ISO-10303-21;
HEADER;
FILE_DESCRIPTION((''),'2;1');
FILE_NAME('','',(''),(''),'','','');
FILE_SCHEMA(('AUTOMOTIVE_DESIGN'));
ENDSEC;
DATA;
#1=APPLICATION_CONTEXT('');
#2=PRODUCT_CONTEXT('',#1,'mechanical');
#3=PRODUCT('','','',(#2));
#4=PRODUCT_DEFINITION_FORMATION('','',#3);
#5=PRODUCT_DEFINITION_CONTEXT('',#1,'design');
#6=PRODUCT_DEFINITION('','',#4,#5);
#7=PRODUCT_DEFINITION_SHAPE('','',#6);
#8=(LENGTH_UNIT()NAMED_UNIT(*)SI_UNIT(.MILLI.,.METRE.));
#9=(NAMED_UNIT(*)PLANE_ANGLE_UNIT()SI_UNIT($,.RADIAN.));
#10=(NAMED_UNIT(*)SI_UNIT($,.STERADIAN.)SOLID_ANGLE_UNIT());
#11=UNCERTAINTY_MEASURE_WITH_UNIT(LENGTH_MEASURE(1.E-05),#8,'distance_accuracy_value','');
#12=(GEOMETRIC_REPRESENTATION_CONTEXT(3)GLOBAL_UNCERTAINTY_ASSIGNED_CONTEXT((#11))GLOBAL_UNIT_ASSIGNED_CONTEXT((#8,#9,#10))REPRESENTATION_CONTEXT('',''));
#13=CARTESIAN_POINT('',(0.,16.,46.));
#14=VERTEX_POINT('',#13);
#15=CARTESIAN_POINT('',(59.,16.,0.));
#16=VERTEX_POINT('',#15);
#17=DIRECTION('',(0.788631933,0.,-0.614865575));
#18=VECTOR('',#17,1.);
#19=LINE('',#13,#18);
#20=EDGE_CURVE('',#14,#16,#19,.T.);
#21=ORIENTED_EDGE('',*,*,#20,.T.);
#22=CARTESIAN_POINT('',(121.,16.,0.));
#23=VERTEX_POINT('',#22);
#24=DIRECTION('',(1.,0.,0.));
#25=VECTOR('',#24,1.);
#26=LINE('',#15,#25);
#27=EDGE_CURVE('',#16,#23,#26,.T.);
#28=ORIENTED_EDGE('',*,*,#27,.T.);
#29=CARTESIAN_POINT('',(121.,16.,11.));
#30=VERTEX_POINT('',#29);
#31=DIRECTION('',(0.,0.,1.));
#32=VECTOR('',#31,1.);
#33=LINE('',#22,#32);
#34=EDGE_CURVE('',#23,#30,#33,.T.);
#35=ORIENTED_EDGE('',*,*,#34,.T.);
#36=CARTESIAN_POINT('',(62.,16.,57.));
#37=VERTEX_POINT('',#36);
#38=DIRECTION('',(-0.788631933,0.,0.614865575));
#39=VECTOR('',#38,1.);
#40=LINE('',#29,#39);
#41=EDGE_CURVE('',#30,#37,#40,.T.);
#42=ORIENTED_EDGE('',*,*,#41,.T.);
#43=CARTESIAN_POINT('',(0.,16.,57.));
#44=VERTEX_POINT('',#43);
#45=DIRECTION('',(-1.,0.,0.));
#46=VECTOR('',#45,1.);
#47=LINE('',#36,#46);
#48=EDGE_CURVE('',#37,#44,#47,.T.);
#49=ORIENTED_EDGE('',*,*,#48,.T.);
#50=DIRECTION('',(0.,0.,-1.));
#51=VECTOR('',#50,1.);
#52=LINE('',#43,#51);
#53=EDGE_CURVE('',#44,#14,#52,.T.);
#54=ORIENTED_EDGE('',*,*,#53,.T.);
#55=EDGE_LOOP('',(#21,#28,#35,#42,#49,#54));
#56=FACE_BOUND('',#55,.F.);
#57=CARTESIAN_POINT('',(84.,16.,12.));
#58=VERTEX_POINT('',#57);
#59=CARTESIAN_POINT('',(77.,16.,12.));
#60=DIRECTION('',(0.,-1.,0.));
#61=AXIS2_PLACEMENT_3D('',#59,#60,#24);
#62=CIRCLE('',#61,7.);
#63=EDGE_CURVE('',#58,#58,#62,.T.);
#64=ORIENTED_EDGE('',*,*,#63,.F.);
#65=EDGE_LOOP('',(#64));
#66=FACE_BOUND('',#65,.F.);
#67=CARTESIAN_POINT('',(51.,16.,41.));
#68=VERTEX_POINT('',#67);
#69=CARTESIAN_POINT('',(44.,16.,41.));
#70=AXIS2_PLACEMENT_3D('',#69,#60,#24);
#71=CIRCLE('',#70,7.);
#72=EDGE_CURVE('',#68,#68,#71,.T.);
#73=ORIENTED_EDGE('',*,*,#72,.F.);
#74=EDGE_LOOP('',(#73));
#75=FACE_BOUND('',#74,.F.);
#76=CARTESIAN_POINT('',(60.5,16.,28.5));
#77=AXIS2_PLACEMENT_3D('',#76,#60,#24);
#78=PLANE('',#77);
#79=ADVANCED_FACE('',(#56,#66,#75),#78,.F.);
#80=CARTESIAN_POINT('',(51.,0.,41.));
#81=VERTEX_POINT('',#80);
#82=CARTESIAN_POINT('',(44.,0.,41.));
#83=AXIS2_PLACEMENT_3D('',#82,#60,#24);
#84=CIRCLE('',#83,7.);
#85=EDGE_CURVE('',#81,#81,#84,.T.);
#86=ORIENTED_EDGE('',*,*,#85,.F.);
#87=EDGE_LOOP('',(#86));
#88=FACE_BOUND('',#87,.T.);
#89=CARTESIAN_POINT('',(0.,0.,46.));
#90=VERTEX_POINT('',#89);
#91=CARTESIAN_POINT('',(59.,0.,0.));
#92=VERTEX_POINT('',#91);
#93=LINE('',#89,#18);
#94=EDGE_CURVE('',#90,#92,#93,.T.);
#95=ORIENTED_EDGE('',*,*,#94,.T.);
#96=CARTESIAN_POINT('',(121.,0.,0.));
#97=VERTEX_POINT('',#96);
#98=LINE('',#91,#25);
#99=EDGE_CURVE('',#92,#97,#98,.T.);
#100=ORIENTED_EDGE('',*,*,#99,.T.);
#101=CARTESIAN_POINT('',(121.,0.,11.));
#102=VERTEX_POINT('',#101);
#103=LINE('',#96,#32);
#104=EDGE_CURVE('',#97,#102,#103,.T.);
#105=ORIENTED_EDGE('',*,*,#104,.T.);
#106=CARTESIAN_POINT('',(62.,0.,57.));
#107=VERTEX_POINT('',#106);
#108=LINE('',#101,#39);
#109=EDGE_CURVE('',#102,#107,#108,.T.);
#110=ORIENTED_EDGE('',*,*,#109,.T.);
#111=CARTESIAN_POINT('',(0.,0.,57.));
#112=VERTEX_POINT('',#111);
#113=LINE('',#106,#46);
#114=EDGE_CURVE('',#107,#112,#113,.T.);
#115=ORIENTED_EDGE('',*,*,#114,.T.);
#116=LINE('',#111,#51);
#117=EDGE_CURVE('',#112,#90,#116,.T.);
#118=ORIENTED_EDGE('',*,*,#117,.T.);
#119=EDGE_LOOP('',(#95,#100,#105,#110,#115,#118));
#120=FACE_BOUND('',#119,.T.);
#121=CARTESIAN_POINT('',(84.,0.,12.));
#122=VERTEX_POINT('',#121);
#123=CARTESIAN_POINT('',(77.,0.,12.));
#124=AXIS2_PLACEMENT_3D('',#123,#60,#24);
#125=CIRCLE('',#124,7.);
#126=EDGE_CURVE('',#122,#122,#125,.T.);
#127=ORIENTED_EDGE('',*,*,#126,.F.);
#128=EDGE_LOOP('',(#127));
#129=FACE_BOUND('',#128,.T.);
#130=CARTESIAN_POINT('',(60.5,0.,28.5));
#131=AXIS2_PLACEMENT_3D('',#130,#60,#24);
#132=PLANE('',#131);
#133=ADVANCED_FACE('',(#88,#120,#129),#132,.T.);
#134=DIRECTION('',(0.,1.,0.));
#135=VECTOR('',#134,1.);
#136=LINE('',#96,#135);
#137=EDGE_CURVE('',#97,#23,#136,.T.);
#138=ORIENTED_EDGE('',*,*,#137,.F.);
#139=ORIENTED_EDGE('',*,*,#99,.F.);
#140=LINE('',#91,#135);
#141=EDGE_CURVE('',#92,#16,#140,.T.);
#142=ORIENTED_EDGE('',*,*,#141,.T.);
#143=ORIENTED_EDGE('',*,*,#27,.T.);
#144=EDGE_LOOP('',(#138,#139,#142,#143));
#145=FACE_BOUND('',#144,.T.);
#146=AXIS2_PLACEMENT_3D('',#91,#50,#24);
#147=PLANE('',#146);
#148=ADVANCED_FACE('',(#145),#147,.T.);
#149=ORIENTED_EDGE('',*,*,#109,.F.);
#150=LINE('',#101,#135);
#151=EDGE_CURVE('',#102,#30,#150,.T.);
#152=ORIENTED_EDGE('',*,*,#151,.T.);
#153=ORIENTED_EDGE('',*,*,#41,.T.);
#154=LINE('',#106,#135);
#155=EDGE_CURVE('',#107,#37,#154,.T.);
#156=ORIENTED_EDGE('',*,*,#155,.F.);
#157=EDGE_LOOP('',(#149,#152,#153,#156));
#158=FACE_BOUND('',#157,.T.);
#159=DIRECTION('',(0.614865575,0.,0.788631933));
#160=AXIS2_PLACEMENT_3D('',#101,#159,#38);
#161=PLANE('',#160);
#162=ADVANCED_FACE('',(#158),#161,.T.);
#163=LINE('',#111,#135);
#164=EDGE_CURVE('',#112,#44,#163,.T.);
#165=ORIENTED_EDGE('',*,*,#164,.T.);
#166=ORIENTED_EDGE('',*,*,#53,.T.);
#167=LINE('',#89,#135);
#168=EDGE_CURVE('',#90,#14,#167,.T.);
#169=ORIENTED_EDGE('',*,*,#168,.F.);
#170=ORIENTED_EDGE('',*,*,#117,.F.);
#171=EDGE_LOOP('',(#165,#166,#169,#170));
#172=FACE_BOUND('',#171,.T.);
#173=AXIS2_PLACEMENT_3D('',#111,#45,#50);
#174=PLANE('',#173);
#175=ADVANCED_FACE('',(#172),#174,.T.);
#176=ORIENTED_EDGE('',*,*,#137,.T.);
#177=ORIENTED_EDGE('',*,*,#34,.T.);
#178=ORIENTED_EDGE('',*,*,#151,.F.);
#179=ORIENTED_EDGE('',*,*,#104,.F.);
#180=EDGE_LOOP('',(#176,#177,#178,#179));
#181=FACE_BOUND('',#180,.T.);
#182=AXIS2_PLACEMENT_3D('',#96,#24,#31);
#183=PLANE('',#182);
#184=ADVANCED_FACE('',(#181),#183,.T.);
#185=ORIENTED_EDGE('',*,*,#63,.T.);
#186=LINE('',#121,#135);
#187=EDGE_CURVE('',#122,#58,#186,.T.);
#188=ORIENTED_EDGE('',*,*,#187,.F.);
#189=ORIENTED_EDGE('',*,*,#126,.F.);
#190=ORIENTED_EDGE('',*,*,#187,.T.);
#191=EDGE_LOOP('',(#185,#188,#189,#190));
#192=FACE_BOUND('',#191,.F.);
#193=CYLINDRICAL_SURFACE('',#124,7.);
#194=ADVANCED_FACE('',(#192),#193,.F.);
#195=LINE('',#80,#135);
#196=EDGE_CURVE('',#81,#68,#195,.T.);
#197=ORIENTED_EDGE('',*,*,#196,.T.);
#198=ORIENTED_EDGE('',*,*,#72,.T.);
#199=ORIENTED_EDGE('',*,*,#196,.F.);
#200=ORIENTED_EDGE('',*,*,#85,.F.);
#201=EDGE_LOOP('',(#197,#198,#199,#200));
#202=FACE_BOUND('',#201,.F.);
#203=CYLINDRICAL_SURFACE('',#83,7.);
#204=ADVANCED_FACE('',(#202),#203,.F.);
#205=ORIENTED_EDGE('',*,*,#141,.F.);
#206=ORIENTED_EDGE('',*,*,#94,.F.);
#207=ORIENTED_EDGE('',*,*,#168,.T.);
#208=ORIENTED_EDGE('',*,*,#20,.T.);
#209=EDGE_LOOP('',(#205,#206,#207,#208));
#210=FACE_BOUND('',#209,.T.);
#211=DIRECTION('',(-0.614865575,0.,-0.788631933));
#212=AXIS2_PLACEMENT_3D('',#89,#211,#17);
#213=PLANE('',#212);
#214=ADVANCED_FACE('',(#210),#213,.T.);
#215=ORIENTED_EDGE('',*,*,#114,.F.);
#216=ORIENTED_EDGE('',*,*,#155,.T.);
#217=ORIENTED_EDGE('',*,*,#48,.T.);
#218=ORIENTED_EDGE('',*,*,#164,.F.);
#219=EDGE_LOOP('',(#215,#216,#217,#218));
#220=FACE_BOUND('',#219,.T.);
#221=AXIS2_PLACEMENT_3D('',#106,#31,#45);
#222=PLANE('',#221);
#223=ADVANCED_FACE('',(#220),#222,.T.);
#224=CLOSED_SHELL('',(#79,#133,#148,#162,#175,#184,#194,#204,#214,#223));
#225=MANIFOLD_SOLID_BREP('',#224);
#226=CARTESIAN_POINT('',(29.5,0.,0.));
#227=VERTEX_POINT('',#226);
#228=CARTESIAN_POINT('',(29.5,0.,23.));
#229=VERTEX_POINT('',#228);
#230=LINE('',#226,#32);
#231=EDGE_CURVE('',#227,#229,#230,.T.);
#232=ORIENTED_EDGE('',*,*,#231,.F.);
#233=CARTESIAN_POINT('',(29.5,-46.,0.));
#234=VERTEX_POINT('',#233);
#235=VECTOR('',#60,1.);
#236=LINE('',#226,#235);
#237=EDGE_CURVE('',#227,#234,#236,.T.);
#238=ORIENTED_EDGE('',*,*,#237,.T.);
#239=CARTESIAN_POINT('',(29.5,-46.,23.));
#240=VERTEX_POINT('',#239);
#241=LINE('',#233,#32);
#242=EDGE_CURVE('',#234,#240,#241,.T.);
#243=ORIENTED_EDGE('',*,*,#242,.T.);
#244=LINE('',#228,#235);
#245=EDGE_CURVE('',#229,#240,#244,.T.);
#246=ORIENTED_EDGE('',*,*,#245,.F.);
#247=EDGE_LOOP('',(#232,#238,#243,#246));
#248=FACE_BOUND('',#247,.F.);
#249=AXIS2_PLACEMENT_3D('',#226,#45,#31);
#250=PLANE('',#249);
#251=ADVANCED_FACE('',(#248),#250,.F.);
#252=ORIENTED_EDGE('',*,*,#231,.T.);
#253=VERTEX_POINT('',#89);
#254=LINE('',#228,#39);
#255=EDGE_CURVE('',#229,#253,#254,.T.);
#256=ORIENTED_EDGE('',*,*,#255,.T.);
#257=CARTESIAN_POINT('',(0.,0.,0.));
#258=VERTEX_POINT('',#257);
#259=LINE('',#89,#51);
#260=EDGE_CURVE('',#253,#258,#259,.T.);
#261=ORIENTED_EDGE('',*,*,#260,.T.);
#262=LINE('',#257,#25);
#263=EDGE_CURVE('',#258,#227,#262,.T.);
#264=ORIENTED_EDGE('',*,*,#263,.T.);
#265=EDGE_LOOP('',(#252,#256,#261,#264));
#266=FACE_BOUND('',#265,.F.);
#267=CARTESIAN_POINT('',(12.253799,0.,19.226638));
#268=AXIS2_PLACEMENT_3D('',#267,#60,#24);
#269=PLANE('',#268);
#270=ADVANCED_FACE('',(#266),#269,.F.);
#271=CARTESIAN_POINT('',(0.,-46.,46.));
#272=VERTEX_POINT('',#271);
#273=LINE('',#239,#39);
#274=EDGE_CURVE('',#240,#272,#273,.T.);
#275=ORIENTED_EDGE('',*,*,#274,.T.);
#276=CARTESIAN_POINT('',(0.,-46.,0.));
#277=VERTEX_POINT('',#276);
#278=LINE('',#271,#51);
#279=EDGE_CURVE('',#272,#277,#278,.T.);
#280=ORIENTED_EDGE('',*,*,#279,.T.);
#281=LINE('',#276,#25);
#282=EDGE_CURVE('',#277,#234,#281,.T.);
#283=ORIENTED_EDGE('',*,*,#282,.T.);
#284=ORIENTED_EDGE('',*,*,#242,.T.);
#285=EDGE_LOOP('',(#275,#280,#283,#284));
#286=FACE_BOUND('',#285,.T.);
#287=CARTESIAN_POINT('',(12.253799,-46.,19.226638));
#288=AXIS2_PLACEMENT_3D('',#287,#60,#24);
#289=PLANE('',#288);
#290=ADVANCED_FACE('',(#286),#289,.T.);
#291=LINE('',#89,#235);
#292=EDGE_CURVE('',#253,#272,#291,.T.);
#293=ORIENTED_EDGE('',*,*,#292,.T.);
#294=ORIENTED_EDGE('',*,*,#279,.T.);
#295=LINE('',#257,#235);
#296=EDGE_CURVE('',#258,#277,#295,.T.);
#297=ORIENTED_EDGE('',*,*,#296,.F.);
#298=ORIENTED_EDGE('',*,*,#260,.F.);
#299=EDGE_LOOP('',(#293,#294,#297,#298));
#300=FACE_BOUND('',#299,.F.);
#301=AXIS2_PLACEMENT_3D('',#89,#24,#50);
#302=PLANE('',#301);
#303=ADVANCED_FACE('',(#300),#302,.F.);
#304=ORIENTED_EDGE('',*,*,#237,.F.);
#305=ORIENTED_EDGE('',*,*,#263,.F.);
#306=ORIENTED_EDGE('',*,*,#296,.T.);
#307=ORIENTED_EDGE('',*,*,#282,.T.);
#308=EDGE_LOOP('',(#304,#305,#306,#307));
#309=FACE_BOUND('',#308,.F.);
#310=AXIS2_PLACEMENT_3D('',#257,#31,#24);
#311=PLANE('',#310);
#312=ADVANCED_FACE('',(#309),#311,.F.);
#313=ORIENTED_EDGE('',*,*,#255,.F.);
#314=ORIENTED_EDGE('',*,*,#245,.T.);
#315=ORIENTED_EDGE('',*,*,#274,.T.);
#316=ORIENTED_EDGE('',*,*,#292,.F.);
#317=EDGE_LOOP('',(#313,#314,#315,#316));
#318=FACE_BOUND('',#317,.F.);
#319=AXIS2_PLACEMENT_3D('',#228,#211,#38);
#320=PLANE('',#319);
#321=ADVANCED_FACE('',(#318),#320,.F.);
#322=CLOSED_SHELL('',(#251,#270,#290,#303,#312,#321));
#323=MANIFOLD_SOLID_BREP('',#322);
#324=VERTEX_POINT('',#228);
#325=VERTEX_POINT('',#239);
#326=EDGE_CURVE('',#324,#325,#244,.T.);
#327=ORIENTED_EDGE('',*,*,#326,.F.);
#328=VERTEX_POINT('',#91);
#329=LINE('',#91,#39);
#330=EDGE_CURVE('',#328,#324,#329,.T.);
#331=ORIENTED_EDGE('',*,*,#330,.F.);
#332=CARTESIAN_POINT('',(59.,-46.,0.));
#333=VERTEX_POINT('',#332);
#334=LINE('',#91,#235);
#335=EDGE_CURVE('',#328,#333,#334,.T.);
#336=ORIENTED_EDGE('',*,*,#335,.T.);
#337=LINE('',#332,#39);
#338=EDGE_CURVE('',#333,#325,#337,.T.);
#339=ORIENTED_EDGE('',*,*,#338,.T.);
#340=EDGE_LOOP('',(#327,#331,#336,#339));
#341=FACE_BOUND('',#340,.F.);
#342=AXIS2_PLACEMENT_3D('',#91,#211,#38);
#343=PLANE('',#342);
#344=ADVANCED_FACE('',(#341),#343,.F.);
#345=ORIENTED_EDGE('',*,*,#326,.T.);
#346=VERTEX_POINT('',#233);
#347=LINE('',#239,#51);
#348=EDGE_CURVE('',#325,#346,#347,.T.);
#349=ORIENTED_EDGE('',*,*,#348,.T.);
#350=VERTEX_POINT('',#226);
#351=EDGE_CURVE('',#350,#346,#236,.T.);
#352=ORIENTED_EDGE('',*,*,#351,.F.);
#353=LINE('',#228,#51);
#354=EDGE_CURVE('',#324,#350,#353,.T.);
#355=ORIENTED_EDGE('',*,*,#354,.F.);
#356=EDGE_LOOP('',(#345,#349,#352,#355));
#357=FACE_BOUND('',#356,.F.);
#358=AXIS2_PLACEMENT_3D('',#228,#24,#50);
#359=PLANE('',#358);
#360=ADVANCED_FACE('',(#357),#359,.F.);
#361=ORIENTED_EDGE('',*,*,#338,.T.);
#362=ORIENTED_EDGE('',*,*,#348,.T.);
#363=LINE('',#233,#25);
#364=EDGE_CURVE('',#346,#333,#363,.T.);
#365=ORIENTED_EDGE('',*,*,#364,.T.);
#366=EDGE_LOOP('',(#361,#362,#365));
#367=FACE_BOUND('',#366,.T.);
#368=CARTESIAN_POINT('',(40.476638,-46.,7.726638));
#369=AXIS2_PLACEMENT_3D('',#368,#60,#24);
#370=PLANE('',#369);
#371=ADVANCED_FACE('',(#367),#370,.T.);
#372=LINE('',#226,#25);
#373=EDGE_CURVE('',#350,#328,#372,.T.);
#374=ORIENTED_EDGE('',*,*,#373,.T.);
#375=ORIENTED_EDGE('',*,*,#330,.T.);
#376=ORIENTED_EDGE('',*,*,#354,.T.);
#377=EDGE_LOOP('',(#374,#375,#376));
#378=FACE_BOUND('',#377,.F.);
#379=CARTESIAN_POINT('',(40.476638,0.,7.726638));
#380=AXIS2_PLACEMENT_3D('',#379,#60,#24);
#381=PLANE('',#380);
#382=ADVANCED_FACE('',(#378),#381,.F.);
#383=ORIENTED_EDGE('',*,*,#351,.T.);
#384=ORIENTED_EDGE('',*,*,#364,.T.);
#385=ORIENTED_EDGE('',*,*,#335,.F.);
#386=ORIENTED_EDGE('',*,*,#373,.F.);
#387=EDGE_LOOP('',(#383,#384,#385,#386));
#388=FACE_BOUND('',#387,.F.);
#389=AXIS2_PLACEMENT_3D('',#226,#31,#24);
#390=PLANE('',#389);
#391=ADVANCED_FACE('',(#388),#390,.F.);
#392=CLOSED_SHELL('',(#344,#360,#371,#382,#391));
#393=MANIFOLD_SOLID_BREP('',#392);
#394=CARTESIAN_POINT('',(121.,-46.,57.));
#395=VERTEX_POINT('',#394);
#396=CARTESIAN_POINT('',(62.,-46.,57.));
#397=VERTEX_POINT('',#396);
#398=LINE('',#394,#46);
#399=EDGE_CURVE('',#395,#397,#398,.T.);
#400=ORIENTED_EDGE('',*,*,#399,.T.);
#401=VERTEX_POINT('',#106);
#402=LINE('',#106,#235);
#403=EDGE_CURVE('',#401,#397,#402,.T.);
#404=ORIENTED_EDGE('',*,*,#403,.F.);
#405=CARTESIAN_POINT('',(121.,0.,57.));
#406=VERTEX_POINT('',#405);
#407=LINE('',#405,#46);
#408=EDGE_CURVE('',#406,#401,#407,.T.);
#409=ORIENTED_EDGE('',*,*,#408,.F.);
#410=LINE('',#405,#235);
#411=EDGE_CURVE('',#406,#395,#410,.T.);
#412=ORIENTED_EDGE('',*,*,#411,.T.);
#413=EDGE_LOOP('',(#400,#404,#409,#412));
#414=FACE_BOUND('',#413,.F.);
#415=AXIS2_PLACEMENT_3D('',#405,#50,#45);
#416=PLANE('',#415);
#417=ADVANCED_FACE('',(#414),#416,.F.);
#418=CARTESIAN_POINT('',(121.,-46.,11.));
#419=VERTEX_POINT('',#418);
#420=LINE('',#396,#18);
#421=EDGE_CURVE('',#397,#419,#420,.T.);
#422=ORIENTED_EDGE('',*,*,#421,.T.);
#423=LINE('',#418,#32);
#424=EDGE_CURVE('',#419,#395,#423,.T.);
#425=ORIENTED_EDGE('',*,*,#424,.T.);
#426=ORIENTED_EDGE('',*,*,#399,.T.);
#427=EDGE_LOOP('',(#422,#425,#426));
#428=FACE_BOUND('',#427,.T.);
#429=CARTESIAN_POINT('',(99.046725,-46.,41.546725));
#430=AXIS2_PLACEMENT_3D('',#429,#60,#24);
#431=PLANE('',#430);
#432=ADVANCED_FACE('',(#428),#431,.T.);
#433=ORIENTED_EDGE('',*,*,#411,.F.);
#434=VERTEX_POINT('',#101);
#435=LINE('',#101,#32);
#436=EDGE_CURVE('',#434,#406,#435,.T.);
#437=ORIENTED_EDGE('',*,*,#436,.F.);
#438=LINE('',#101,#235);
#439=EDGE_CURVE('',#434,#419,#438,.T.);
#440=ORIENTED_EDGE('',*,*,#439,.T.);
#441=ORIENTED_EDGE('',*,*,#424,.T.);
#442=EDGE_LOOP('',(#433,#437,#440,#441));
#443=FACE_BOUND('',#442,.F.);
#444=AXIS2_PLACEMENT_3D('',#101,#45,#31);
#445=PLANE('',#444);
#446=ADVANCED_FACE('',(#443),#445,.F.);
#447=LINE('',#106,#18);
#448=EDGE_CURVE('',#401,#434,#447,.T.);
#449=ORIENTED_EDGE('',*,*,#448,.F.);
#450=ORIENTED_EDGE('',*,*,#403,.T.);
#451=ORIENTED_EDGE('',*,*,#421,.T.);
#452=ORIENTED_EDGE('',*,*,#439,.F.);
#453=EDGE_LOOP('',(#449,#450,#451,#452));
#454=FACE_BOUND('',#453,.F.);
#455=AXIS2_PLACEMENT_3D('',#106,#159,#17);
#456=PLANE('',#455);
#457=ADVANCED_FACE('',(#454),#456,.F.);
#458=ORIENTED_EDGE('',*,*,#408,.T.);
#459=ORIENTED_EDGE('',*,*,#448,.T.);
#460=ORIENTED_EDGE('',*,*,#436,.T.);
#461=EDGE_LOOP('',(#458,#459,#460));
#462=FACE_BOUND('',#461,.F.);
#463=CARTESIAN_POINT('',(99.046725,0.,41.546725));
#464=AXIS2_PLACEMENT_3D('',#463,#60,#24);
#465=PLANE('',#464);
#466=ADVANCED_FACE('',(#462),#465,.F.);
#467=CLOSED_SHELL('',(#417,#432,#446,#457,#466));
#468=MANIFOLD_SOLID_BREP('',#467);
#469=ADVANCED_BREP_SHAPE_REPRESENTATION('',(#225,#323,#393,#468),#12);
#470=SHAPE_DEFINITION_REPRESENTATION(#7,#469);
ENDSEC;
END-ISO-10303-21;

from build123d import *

# Parameters (mm, degrees)
F1_DEPTH = 46
F2_DEPTH = 46
F0_R     = 7
F3_DEPTH = 16
F4_DEPTH = 46


with BuildPart() as f1:
    # F0 (on Front) → F1 (new body)
    with BuildSketch(Plane.XZ):
        Polygon((121, 57), (62, 57), (121, 11), align=None)
    extrude(amount=F1_DEPTH)


with BuildPart() as f2:
    # F0 (on Front) → F2 (new body)
    with BuildSketch(Plane.XZ):
        Polygon((0, 46), (0, 0), (29.5, 0), (29.5, 23), align=None)
    extrude(amount=F2_DEPTH)


with BuildPart() as f3:
    # F0 (on Front) → F3 (new body)
    with BuildSketch(Plane.XZ):
        Polygon((0, 57), (0, 46), (29.5, 23), (59, 0), (121, 0), (121, 11), (62, 57), align=None)
        with Locations((77, 12)):
            Circle(F0_R, mode=Mode.SUBTRACT)
        with Locations((44, 41)):
            Circle(F0_R, mode=Mode.SUBTRACT)
    extrude(amount=-F3_DEPTH)


with BuildPart() as f4:
    # F0 (on Front) → F4 (new body)
    with BuildSketch(Plane.XZ):
        Polygon((29.5, 23), (29.5, 0), (59, 0), align=None)
    extrude(amount=F4_DEPTH)


solid = Compound([f1.part, f2.part, f3.part, f4.part])
